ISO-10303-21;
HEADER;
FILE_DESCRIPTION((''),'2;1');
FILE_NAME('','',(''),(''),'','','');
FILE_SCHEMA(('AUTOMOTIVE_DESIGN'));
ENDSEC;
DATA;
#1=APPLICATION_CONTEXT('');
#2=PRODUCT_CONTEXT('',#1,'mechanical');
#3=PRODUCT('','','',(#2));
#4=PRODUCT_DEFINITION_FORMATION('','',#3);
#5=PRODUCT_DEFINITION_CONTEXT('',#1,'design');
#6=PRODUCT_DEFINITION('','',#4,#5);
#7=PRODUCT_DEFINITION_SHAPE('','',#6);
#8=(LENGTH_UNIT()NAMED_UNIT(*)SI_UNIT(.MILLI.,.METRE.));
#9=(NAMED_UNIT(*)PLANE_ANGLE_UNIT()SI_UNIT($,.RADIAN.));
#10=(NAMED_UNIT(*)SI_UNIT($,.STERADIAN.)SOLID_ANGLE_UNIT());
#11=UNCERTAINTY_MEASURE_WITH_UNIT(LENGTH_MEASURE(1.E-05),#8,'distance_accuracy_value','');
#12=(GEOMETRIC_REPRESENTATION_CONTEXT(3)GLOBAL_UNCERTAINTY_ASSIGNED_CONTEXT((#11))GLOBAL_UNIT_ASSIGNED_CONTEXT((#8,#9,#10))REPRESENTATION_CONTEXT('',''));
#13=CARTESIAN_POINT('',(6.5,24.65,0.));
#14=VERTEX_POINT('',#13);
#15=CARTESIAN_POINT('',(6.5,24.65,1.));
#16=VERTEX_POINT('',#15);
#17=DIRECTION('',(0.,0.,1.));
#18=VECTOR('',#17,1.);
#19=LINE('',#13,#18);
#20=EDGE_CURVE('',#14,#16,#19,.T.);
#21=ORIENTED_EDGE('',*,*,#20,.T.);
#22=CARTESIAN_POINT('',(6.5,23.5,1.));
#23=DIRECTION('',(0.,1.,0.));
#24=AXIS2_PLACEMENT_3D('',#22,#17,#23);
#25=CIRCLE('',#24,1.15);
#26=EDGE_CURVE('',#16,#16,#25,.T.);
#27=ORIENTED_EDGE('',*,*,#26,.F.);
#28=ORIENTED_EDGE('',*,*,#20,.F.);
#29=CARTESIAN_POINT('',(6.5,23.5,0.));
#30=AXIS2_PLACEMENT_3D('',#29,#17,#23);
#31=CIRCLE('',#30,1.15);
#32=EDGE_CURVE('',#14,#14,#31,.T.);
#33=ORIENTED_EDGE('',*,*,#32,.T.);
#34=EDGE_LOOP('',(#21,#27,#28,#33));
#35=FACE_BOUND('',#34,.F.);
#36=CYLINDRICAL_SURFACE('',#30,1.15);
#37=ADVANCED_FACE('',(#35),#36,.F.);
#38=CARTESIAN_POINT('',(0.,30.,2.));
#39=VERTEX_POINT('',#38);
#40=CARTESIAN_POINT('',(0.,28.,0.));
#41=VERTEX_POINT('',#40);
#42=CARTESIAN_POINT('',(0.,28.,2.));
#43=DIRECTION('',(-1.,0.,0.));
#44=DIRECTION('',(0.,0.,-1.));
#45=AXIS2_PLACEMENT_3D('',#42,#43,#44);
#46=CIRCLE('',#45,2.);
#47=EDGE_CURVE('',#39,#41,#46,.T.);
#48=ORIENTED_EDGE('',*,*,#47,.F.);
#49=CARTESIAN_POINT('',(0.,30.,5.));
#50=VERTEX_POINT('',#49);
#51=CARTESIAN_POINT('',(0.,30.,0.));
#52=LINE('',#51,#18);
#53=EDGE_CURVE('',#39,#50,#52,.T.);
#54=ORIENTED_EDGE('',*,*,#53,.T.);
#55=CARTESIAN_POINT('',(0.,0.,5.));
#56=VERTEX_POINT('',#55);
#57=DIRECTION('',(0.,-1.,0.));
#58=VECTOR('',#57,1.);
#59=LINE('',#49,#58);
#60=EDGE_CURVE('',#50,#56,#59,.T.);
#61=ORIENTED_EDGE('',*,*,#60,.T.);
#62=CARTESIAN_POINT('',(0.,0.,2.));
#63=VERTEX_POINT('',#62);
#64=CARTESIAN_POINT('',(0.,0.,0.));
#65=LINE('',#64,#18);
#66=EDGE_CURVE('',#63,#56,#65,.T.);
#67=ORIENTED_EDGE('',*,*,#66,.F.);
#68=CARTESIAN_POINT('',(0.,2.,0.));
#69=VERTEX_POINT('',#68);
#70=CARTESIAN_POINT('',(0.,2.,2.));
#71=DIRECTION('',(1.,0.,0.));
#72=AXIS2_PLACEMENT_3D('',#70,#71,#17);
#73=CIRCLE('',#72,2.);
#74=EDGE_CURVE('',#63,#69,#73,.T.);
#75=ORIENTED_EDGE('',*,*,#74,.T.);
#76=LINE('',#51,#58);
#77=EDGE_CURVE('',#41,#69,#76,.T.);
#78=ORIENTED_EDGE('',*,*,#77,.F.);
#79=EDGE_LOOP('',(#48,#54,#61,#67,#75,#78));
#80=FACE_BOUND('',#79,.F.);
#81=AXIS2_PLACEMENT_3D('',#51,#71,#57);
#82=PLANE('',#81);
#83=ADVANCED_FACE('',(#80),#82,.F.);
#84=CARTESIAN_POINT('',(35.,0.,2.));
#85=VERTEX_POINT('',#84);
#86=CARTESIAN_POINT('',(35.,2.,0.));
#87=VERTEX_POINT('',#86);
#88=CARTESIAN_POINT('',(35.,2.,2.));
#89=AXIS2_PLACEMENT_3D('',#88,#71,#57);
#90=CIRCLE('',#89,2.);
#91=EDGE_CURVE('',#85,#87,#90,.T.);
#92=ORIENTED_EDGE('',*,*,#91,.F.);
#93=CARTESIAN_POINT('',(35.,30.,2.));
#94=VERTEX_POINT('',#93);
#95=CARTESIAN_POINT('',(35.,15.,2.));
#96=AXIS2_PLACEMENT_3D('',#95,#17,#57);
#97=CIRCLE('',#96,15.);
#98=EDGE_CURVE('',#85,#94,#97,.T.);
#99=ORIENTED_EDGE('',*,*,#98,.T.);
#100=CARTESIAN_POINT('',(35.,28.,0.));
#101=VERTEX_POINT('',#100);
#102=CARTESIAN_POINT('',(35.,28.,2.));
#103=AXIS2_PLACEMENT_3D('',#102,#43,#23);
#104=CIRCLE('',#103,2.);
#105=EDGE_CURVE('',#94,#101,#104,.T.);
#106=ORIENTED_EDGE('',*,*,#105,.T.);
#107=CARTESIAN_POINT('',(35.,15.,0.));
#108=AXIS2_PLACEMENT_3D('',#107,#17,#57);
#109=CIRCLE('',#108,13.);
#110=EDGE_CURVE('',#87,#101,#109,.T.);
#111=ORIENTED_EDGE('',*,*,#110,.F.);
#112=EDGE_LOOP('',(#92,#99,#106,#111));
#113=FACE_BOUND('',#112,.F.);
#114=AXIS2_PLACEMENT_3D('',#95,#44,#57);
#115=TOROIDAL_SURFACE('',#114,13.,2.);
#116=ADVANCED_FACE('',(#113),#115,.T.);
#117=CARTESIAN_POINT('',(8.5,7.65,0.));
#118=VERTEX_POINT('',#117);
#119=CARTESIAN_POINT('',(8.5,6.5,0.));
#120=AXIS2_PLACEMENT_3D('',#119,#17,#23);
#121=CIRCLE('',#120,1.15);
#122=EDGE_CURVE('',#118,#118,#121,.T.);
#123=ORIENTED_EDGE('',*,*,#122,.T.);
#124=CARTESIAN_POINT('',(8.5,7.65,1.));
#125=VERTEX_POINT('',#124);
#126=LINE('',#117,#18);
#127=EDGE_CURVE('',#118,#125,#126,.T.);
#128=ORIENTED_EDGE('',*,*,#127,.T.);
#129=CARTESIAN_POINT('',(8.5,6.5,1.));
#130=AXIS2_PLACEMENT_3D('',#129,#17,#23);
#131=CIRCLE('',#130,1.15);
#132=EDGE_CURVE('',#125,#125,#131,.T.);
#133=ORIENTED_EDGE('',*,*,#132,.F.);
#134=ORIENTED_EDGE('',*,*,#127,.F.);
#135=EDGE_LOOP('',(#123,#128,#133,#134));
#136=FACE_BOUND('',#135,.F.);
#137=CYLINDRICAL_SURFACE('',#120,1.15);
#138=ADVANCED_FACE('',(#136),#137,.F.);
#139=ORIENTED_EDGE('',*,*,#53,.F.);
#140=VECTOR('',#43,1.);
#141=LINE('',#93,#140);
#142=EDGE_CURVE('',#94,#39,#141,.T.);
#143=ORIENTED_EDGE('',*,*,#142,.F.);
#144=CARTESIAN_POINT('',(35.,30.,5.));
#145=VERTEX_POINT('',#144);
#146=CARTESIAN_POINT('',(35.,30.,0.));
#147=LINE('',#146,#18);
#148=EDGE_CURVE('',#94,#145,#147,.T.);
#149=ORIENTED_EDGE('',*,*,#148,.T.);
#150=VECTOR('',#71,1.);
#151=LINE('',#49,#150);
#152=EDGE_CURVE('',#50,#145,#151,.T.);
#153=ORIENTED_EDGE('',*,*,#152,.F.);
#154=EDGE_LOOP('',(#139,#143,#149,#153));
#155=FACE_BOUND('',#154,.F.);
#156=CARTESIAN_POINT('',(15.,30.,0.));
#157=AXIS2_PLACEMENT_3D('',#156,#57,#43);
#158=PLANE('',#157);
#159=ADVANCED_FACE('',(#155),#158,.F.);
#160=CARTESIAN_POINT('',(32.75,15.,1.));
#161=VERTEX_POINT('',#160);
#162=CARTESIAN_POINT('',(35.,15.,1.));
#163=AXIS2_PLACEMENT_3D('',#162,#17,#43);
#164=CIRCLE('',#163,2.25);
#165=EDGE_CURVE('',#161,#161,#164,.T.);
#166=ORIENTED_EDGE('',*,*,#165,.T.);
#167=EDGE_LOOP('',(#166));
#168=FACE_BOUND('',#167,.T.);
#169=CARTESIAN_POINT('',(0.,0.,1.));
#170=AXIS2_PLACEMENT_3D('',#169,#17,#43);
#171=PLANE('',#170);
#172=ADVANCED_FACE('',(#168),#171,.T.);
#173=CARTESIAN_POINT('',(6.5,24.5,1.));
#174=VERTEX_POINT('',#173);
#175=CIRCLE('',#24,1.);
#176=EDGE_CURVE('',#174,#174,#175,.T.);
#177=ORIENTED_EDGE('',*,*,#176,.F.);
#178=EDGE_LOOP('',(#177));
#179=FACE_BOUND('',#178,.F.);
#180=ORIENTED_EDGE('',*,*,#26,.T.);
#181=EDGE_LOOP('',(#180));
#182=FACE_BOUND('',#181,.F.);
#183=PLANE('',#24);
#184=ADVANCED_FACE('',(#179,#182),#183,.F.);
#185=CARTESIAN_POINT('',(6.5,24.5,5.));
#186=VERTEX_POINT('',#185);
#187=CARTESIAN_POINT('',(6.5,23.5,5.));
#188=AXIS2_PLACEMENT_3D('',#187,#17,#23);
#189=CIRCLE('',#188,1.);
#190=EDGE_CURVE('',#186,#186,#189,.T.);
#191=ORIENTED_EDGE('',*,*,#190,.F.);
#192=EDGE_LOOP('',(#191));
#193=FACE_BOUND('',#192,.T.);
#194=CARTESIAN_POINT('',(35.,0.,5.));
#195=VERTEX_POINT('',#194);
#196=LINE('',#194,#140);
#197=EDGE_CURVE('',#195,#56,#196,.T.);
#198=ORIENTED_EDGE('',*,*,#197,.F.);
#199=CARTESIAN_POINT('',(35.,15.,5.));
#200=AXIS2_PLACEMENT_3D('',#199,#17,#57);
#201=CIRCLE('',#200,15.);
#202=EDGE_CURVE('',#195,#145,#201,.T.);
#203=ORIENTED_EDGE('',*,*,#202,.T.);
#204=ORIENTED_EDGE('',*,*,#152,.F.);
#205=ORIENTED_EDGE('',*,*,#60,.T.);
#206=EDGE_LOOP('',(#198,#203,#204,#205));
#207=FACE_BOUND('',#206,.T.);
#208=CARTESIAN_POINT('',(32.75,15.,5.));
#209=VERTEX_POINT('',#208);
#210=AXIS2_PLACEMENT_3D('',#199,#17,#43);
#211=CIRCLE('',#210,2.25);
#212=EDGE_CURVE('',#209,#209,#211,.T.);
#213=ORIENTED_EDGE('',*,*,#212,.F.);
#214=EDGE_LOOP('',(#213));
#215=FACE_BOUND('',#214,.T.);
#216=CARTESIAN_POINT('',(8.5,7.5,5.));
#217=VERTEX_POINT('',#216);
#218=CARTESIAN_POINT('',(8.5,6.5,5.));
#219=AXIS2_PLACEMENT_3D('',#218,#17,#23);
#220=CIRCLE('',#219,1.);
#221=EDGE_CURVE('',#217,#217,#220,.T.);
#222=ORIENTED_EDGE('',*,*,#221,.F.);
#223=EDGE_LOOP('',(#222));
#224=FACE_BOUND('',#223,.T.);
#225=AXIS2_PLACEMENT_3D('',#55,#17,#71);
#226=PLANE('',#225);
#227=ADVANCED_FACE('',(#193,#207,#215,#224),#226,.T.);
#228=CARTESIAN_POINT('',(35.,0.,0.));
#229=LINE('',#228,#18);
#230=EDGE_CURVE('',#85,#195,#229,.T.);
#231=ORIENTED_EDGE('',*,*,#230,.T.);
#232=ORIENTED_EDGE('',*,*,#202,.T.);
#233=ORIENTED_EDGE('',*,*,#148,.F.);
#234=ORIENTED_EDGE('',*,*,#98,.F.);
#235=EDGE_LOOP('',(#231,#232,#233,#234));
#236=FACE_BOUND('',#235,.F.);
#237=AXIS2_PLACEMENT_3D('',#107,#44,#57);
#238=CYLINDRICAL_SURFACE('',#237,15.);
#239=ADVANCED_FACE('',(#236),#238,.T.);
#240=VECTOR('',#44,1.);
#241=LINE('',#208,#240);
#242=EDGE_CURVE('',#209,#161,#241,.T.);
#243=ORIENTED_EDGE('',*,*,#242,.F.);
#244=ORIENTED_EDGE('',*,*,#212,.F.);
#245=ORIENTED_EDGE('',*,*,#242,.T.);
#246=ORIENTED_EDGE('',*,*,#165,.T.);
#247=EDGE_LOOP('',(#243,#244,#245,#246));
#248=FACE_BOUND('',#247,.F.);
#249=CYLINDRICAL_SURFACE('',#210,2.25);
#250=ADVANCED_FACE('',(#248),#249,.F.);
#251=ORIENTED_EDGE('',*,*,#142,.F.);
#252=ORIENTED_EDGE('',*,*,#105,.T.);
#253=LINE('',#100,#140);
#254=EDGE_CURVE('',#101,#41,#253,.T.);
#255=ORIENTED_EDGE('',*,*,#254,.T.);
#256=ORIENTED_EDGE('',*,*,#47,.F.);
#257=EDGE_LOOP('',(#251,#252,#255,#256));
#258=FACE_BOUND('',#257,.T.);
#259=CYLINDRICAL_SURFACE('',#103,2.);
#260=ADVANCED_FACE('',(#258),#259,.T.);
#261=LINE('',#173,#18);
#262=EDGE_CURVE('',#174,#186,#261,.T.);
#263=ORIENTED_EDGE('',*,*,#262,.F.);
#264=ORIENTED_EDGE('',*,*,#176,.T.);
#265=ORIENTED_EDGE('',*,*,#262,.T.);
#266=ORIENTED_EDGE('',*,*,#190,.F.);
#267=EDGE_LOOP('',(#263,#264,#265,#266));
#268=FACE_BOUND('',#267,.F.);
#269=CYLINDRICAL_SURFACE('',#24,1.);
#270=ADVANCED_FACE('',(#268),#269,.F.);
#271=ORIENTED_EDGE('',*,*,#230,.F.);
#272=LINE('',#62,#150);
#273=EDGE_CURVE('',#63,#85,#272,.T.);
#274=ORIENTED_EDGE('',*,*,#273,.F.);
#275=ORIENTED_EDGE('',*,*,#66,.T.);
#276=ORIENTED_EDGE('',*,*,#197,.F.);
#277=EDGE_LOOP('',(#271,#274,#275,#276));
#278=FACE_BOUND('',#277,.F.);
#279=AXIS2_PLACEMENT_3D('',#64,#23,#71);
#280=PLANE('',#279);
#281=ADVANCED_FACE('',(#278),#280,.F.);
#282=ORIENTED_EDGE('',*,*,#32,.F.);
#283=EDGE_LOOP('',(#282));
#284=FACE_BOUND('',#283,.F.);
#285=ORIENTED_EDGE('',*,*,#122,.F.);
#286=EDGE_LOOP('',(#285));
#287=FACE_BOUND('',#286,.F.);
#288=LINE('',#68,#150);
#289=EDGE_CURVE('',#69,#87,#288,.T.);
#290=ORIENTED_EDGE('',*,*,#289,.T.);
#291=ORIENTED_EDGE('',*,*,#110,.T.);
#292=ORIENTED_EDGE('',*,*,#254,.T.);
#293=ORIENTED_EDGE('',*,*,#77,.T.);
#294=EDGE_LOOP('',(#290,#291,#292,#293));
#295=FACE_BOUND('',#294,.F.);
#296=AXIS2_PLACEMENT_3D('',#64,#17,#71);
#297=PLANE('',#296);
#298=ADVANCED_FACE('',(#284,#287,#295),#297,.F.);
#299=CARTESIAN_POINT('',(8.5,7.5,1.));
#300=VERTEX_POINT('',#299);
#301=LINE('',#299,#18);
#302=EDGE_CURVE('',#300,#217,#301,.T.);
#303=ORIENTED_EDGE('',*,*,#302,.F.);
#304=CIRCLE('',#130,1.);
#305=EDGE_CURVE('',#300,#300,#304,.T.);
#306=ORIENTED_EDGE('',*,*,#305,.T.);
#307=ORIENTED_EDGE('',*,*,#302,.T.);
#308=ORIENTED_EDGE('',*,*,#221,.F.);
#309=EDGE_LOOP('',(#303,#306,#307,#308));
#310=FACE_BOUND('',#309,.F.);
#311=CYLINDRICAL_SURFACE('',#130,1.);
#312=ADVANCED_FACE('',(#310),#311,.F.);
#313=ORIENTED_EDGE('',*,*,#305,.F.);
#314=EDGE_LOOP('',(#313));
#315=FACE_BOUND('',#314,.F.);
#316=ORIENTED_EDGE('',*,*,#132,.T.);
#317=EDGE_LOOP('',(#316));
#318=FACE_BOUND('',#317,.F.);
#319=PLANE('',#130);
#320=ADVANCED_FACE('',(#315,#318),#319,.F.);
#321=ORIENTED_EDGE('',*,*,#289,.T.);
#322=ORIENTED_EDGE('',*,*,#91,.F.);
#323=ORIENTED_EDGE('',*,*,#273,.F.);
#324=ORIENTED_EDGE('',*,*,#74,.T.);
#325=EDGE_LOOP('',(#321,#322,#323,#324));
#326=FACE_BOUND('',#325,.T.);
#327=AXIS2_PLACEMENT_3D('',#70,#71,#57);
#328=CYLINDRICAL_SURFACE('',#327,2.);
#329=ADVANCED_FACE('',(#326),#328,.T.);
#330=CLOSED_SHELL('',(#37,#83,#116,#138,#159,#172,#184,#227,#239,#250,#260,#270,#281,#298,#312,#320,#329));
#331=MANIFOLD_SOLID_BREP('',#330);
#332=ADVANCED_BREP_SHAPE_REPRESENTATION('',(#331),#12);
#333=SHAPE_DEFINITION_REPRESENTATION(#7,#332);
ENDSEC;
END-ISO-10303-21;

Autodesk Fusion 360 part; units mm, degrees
sketch "Sketch1" plane through (0, 0, 0) normal (0, 0, 1) x (1, 0, 0)
  line L0 (0, 0) -> (35, 0)
  line L1 (35, 30) -> (0, 30)
  line L2 (0, 30) -> (0, 0)
  circle A0 centre (35, 15) radius 2.25
  arc A1 (35, 0) -> (35, 30) centre (35, 15) ccw
  line L3 (15, 0) -> (15, 30)
  line L4 (15, 15) -> (0, 30) construction
  line L5 (7.5, 22.5) -> (7.5, 30) construction
  line L6 (7.5, 22.5) -> (0, 22.5) construction
  circle A2 centre (6.5, 23.5) radius 1
  circle A3 centre (8.5, 23.5) radius 1 construction
  circle A4 centre (8.5, 6.5) radius 1
  line L7 (15, 0) -> (0, 15) construction
  line L8 (7.5, 7.5) -> (7.5, 0) construction
  line L9 (7.5, 7.5) -> (15, 7.5) construction
  point P0 (40, 0)
  point P1 (15, 15)
  dimension "d1" = 30
  dimension "d7" = 35
  dimension "d8" = 35
  dimension "d9" = 4.5
  dimension "d14" = 2
  dimension "d36" = 2
extrude "Extrude1" add sketch "Sketch1" along normal blind 5 contours L0 L1 L2 L3 | L0 L1 A1 L3 | A0 | A2 | A4 makes body 1
hole "Hole1" at (8.5, 6.5, 0) at (6.5, 23.5, 0) direction (0, 0, 1) diameter 2 end through all counterbore diameter 2.3 counterbore depth 1 bodies 1 1
sketch "Sketch2" plane through (0, 0, 5) normal (0, 0, 1) x (-1, 0, 0)
  circle A0 centre (-8.5, -6.5) radius 1
  circle A1 centre (-6.5, -23.5) radius 1
  arc A2 (-35, 0) -> (-35, -30) centre (-35, -15) ccw
  line L0 (-35, -30) -> (0, -30)
  line L1 (0, -30) -> (0, 0)
  line L2 (0, 0) -> (-35, 0)
  circle A3 centre (-35, -15) radius 2.25
fillet "Fillet1" radius 2 3 edges at (17.5, 0, 0) (50, 15, 0) (17.5, 30, 0) on bodies 1
ref_plane "WorkPlane1" through (25, 15, 22.5) normal (0, 0, 1) x (1, 0, 0)
mirror "Mirror1" about plane through (25, 15, 22.5) normal (0, 0, 1) of bodies 1 makes body 2
extrude "Extrude2" cut sketch "Sketch2" against normal blind 4 contours A3 bodies 1
sketch "Sketch3" plane through (0, 0, 40) normal (0, 0, -1) x (1, 0, 0)
  circle A0 centre (8.5, -6.5) radius 1
  circle A1 centre (6.5, -23.5) radius 1
  arc A2 (35, -30) -> (35, 0) centre (35, -15) ccw
  line L0 (35, 0) -> (0, 0)
  line L1 (0, 0) -> (0, -30)
  line L2 (0, -30) -> (35, -30)
  line L3 (31.4, -14.9863) -> (24.6174, -26.7346)
  line L4 (35, -15) -> (24.8695, -28.0239) construction
  arc A3 (24.6174, -26.7346) -> (26.1812, -27.951) centre (25.4835, -27.2346) ccw
  line L5 (35.8992, -18.4859) -> (26.1812, -27.951)
  line L6 (31.4, -14.9863) -> (35.8992, -18.4859) construction
  arc A4 (35.8992, -18.4859) -> (31.4, -14.9863) centre (35, -15) ccw
  point P0 (35, -15)
  point P1 (35, -15)
  dimension "d30" = 2
  dimension "d31" = 5.7
  dimension "d32" = 16.5
  dimension "d33" = 7.2
extrude "Extrude3" cut sketch "Sketch3" against normal blind 1.5 contours L3 A3 L5 A4 bodies 2
hidden bodies 2
equation "d1 = breadth"
equation "breadth = 30 mm"
equation "length = 50 mm"
equation "d7 = length - d6"
equation "d8 = d7"
equation "d27 = ( 35 / 2 ) * 1 mm"
equation "d36 = d14"
